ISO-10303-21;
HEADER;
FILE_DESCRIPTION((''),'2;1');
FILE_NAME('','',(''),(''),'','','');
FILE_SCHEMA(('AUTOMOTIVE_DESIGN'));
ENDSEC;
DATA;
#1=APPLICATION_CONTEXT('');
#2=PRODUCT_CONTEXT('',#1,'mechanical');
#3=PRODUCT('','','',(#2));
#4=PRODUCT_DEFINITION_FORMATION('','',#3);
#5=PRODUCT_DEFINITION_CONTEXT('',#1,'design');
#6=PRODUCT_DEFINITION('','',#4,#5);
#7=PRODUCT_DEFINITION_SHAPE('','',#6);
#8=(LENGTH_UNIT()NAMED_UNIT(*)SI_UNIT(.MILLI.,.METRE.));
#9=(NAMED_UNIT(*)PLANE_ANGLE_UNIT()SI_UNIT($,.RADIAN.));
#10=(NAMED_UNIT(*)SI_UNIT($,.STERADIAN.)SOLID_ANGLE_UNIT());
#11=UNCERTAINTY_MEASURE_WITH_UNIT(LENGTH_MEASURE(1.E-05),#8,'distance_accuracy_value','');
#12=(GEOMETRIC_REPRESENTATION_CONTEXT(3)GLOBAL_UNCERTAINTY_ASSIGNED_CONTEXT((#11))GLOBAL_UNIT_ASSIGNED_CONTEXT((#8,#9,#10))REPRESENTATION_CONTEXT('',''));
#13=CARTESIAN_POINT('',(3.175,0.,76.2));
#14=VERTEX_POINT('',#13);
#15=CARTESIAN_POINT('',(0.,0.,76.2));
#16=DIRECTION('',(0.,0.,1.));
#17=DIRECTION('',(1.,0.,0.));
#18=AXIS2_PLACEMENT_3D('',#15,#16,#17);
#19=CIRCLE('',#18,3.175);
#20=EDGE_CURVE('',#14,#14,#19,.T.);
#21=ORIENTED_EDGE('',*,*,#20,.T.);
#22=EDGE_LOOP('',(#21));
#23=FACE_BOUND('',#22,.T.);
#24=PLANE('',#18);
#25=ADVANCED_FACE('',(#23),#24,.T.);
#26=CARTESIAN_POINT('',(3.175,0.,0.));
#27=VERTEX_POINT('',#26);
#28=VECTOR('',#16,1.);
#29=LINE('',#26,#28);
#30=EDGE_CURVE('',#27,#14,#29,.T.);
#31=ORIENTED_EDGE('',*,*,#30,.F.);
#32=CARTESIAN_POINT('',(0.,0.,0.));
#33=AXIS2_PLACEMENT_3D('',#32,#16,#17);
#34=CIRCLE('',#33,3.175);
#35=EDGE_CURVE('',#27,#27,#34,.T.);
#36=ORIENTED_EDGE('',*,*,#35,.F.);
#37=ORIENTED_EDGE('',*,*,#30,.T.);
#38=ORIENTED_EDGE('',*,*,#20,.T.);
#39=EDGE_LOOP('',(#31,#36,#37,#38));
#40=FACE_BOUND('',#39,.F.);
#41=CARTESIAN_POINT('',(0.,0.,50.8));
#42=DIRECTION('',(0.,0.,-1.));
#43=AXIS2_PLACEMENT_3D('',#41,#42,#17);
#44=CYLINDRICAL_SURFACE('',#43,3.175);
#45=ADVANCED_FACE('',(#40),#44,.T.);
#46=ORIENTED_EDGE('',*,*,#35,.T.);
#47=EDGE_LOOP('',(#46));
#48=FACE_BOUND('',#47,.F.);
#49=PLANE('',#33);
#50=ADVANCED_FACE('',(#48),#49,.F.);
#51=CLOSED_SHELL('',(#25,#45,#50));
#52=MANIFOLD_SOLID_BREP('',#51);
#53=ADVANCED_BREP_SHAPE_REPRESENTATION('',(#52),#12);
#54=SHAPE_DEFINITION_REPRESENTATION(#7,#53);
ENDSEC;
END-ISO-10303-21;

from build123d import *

# Parameters (mm, degrees)
F0_R     = 3.175
F1_DEPTH = 76.2
F2_DEPTH = 25.4
F3_DEPTH = 25.4


with BuildPart() as f1:
    # F0 (on Top) → F1 (new body)
    with BuildSketch(Plane.XY):
        Circle(F0_R)
    extrude(amount=F1_DEPTH)

    # F2 (cut): a face of the model
    f2_faces = [f1.faces().sort_by_distance(p)[0] for p in [
        (0, 0, 76.2),
    ]]
    extrude(f2_faces, amount=-F2_DEPTH, mode=Mode.SUBTRACT)

    # F3 (add): a face of the model
    f3_faces = [f1.faces().sort_by_distance(p)[0] for p in [
        (0, 0, 50.8),
    ]]
    extrude(f3_faces, amount=F3_DEPTH)


solid = f1.part
